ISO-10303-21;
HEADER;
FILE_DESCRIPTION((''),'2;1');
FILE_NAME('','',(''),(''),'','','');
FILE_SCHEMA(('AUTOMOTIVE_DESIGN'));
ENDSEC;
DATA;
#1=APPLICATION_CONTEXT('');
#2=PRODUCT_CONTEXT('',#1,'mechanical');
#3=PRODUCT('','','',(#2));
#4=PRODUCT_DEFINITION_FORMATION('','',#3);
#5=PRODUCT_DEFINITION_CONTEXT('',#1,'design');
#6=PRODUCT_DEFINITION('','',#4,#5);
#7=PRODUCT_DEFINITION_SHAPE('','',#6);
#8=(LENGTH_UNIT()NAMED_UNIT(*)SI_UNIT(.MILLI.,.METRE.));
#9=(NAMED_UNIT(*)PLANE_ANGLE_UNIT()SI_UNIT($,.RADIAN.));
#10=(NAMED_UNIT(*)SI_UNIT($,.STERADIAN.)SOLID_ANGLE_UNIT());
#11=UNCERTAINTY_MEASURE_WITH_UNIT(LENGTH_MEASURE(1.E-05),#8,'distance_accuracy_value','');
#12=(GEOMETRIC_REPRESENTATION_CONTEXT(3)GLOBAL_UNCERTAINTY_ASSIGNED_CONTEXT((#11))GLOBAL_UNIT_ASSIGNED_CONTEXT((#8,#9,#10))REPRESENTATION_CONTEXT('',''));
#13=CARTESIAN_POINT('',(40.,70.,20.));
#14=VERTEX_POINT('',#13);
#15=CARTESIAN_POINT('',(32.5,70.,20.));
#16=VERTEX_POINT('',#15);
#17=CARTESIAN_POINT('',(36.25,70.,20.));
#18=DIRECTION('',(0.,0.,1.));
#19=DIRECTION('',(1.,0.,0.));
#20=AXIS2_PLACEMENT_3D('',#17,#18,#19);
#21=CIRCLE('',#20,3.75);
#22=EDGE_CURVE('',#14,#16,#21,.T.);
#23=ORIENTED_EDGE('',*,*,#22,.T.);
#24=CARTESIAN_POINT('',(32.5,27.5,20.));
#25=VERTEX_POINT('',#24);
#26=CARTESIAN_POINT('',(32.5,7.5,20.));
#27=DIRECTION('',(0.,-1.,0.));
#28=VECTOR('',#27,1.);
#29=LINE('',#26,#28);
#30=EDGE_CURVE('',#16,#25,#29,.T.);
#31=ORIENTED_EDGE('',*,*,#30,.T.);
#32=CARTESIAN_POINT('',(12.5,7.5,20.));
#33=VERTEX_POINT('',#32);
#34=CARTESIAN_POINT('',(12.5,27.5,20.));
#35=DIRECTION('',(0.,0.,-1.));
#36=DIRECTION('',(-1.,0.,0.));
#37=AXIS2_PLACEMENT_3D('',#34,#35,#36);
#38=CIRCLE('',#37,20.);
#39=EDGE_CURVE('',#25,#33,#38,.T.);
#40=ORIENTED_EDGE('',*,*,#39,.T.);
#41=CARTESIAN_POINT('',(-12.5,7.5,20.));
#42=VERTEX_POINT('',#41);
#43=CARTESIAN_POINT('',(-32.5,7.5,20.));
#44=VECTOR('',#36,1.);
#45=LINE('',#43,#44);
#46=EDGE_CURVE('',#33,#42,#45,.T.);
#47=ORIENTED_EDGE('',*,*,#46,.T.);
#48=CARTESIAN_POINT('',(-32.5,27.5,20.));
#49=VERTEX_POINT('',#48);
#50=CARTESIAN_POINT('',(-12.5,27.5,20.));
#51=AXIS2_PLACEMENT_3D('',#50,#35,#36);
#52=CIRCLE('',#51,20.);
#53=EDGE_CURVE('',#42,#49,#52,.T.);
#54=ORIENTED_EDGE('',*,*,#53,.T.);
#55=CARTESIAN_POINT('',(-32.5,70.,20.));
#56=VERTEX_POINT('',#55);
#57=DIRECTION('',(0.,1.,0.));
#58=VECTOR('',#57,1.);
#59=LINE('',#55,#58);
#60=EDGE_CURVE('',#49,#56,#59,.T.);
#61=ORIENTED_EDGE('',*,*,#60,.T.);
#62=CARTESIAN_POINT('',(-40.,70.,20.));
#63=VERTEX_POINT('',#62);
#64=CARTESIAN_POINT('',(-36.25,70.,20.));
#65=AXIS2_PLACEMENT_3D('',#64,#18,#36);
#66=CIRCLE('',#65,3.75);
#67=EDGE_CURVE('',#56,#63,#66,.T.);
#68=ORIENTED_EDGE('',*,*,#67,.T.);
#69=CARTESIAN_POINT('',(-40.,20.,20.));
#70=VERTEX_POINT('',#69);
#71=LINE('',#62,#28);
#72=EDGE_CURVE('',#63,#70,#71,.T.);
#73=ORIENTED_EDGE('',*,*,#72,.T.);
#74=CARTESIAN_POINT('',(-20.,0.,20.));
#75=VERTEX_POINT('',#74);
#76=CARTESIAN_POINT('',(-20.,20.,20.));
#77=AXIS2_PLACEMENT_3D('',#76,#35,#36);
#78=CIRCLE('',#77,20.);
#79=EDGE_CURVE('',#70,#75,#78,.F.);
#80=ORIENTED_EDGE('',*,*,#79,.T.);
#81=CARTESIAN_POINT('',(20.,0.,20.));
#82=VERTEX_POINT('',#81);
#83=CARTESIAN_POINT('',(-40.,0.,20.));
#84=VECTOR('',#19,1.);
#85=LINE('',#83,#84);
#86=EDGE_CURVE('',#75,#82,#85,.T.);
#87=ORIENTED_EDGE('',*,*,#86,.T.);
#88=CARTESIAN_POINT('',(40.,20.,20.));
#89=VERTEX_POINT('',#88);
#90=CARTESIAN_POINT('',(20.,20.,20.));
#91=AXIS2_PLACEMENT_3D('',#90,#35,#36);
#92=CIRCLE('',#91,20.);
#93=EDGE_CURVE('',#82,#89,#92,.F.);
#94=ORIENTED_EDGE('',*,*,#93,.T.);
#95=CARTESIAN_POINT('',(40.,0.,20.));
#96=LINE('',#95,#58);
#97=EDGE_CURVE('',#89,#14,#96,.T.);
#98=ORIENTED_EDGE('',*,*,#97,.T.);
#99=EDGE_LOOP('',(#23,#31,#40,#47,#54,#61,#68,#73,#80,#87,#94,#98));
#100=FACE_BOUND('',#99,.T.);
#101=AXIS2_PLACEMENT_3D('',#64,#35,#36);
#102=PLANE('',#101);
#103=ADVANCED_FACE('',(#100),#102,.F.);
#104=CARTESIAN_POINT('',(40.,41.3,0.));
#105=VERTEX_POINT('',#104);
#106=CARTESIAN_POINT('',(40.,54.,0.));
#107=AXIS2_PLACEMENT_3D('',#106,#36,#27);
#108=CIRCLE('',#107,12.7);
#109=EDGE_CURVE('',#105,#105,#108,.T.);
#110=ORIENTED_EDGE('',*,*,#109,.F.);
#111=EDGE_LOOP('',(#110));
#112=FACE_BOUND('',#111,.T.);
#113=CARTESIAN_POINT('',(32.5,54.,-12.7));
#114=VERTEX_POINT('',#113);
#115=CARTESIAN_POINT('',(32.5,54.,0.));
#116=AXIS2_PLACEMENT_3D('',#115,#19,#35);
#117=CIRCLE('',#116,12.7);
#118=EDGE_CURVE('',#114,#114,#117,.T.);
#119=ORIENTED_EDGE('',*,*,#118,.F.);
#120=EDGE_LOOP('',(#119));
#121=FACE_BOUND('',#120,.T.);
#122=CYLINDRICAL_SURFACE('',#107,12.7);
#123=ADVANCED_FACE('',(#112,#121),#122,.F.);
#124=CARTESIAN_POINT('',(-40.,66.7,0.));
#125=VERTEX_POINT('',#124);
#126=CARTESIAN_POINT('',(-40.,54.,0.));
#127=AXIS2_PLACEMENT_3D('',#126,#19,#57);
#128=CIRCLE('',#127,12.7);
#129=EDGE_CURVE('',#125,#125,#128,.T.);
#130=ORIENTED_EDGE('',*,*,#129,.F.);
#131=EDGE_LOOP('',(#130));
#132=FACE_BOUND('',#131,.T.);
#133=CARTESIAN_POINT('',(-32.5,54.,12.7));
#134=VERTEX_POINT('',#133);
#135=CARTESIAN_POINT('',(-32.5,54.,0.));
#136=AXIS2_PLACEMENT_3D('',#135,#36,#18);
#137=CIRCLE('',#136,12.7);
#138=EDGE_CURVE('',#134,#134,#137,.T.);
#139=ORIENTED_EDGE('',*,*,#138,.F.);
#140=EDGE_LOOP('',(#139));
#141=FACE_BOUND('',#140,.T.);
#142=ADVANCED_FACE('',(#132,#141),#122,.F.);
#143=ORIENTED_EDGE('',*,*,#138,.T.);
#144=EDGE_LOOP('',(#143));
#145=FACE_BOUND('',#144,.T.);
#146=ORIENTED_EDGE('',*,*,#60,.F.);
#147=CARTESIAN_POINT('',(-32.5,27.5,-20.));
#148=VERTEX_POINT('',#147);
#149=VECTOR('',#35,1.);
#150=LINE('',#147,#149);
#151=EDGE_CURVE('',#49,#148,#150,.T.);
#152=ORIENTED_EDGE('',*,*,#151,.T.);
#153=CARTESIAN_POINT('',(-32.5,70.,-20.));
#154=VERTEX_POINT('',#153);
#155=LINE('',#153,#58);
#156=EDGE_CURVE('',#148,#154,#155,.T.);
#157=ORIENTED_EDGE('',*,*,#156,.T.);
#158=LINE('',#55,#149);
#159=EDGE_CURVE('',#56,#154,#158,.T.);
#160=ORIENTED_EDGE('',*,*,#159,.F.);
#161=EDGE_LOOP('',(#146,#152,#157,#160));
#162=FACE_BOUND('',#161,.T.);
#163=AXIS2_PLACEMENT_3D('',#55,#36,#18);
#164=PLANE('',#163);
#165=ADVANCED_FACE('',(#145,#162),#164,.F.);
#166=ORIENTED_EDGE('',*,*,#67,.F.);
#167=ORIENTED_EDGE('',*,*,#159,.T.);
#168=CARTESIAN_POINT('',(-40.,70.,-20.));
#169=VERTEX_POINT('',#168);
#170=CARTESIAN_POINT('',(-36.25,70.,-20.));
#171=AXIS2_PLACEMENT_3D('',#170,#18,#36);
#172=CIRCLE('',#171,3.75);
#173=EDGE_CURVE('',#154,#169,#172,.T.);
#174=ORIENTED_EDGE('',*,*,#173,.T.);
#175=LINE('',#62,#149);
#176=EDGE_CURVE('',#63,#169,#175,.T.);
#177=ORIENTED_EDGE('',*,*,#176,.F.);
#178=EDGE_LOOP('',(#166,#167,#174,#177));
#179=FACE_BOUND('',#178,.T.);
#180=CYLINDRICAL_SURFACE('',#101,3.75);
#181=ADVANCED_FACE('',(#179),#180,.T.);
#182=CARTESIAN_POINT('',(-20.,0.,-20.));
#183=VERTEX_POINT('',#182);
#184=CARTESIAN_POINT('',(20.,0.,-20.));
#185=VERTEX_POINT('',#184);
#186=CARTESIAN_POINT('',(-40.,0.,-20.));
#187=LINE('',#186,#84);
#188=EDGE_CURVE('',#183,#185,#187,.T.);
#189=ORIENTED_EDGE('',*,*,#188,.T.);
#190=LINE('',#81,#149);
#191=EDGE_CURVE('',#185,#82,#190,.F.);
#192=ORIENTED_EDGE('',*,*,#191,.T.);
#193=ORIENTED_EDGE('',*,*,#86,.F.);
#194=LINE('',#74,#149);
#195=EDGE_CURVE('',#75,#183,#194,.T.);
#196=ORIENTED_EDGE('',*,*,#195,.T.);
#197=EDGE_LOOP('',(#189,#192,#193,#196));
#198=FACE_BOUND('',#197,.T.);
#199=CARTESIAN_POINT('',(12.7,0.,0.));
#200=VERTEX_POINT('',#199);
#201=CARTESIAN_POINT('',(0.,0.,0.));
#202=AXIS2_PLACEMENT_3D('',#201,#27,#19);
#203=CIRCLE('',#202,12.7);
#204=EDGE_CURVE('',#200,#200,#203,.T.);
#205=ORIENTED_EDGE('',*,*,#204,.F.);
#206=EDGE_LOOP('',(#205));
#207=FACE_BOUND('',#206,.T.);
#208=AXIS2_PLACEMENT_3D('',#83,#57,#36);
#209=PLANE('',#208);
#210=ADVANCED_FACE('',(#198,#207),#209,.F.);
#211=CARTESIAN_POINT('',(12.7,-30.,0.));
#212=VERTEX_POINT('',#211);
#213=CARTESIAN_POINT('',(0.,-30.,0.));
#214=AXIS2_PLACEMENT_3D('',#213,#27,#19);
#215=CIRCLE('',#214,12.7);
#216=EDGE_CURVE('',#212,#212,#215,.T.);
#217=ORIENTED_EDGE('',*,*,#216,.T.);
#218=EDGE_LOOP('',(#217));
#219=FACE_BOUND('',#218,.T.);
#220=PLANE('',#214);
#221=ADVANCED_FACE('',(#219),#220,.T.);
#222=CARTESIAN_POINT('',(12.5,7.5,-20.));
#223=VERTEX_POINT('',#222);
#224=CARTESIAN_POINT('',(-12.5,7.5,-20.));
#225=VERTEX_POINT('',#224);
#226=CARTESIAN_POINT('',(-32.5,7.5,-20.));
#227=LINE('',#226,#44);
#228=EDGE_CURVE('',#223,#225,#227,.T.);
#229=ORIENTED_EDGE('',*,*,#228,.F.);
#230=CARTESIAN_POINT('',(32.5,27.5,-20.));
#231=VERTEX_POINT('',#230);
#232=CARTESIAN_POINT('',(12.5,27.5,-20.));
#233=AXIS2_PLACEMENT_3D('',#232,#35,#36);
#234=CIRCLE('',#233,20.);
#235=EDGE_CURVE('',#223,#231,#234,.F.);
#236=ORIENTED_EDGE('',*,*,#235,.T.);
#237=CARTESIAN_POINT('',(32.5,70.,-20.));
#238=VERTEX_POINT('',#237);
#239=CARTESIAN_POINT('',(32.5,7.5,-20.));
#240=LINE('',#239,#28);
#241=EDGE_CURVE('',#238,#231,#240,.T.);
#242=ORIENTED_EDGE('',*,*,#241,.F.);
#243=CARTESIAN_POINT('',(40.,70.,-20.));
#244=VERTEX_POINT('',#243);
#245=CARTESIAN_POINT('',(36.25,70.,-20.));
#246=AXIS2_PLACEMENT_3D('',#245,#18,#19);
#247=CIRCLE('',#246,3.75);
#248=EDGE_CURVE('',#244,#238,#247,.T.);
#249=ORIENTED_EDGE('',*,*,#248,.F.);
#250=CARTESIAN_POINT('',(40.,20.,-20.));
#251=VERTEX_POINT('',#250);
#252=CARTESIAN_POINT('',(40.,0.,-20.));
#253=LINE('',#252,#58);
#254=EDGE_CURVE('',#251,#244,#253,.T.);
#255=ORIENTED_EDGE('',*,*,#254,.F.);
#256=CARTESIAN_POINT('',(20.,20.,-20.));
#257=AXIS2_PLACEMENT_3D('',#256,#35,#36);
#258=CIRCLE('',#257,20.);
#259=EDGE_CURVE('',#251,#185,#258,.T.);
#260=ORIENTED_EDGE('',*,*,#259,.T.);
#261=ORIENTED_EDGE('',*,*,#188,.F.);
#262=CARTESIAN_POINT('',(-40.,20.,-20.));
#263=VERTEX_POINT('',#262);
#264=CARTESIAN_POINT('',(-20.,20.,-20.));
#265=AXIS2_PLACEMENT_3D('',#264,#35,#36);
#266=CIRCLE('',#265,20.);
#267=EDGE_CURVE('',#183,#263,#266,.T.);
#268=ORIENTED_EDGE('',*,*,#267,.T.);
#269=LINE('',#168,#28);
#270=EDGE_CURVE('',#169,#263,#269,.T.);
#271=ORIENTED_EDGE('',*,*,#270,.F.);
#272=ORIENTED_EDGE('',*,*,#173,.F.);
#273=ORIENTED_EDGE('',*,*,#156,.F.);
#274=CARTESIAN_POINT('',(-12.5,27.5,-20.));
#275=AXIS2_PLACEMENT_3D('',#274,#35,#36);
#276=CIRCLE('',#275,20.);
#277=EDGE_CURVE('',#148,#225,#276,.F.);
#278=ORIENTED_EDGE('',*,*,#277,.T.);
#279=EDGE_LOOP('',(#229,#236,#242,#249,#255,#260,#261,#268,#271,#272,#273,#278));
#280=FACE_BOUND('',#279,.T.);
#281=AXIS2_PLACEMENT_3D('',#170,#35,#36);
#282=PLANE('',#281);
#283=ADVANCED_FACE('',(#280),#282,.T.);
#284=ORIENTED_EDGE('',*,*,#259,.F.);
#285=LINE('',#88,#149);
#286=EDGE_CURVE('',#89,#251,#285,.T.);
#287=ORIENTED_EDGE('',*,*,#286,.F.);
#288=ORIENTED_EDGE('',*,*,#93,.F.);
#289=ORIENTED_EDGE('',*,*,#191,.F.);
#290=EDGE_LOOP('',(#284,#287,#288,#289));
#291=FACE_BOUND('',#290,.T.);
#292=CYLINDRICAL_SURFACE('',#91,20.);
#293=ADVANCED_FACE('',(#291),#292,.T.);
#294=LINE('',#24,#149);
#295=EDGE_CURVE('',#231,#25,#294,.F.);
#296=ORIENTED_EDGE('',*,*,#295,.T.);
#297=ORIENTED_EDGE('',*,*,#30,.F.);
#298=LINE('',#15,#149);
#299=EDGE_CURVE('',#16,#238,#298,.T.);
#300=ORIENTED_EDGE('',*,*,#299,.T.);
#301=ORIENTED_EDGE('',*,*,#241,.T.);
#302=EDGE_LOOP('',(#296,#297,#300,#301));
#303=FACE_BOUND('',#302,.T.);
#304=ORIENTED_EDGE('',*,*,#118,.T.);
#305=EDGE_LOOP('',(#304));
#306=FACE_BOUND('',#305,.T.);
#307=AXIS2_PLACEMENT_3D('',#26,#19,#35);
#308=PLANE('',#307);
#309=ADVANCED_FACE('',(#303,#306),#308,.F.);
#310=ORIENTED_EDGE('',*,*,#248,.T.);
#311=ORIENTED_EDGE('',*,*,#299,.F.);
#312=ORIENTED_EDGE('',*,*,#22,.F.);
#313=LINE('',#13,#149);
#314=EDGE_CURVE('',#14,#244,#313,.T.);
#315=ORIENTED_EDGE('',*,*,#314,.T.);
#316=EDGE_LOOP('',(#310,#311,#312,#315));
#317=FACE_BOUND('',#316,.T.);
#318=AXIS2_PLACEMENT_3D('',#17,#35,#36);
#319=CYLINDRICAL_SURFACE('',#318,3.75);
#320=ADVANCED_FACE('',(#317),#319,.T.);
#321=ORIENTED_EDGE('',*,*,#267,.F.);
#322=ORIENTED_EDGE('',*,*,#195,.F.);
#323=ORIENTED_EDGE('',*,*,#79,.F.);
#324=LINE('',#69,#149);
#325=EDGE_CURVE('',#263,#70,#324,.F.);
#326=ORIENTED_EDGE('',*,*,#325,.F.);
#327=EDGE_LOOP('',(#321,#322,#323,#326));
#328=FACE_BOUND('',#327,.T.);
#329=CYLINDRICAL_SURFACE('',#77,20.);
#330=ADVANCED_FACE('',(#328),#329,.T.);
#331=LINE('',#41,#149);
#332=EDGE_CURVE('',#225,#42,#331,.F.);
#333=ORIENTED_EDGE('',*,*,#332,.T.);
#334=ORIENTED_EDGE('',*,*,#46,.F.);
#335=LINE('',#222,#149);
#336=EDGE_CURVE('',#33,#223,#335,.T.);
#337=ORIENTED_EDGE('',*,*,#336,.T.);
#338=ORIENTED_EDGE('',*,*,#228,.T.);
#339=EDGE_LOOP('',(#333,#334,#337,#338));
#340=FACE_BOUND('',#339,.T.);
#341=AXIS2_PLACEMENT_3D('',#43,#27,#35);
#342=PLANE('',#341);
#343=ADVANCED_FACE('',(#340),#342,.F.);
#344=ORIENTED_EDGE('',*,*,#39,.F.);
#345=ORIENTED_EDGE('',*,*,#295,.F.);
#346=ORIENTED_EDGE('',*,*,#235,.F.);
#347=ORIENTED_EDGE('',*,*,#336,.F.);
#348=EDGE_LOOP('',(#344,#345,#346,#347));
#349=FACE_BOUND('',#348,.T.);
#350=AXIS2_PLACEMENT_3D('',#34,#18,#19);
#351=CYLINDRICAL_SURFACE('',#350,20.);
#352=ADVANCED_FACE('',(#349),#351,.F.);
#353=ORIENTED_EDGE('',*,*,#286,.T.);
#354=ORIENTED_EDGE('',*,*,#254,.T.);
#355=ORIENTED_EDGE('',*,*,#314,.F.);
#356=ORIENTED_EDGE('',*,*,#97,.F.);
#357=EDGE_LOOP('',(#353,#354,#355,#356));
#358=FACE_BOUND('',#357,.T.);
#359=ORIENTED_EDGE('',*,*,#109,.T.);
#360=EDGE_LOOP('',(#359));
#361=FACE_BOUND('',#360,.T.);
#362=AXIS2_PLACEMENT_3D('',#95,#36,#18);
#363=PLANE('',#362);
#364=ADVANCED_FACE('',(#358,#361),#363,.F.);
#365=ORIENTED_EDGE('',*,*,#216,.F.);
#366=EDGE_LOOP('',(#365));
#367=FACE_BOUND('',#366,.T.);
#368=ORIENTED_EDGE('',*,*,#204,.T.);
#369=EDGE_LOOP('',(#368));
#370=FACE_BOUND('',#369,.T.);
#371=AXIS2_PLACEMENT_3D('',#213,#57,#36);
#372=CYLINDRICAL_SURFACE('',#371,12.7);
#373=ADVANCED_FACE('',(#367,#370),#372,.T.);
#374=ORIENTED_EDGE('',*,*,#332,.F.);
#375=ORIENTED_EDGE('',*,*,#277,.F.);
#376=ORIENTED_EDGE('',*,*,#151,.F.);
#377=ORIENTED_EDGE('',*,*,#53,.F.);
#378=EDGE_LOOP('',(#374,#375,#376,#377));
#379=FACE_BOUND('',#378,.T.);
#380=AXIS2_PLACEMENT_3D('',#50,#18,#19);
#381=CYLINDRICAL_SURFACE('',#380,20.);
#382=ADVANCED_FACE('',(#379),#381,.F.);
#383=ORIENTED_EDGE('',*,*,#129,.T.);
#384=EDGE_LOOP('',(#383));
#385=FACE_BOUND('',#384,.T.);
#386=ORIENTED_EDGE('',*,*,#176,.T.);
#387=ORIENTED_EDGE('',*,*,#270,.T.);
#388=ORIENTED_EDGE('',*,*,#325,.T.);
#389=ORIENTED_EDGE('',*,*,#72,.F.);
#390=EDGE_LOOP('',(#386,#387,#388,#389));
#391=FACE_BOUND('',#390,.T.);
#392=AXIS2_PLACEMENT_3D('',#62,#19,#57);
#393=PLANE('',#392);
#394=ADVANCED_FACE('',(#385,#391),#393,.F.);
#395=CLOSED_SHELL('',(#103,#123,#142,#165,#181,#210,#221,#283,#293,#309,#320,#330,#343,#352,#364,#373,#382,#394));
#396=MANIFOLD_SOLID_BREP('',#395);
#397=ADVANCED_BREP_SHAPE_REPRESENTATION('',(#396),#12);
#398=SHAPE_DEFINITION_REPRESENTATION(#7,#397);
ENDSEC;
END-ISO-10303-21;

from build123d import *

# Parameters (mm, degrees)
BOSS_EXTRUDE1_DEPTH     = 20
SKETCH2_R               = 12.7
BOSS_EXTRUDE2_DEPTH     = 30
FILLET1_R               = 20
CUT_EXTRUDE1_DEPTH      = 111.630296483
CUT_EXTRUDE1_DEPTH_BACK = 111.630296483
SKETCH3_R               = 12.7


with BuildPart() as part:
    # Sketch1 → Boss-Extrude1 (new, symmetric)
    with BuildSketch(Plane.XY):
        with BuildLine():
            Line((-40, 70), (-40, 0))
            Line((-40, 0), (40, 0))
            Line((40, 0), (40, 70))
            ThreePointArc((40, 70), (36.25, 73.75), (32.5, 70))
            Line((32.5, 70), (32.5, 7.5))
            Line((32.5, 7.5), (-32.5, 7.5))
            Line((-32.5, 7.5), (-32.5, 70))
            ThreePointArc((-32.5, 70), (-36.25, 73.75), (-40, 70))
        make_face()
    extrude(amount=BOSS_EXTRUDE1_DEPTH, both=True)

    # Sketch2 → Boss-Extrude2 (add)
    with BuildSketch(Plane(origin=(0, 0, 0), x_dir=(-1, 0, 0), z_dir=(0, -1, 0))):
        with Locations(Location((0, 0, 0), (0, 0, 180))):
            Circle(SKETCH2_R)
    extrude(amount=BOSS_EXTRUDE2_DEPTH)

    # Fillet1
    fillet1_edges = [part.edges().sort_by_distance(p)[0] for p in [
        (-32.5, 7.5, 0),
        (32.5, 7.5, 0),
        (40, 0, 0),
        (-40, 0, 0),
    ]]
    fillet(fillet1_edges, radius=FILLET1_R)

    # Sketch3 → Cut-Extrude1 (cut, two sides: drawn at the far end of the back side and taken through both)
    with BuildSketch(Plane.ZY.offset(40).offset(-CUT_EXTRUDE1_DEPTH_BACK)):
        with Locations((0, 54)):
            Circle(SKETCH3_R)
    extrude(amount=CUT_EXTRUDE1_DEPTH + CUT_EXTRUDE1_DEPTH_BACK, mode=Mode.SUBTRACT)


solid = part.part
